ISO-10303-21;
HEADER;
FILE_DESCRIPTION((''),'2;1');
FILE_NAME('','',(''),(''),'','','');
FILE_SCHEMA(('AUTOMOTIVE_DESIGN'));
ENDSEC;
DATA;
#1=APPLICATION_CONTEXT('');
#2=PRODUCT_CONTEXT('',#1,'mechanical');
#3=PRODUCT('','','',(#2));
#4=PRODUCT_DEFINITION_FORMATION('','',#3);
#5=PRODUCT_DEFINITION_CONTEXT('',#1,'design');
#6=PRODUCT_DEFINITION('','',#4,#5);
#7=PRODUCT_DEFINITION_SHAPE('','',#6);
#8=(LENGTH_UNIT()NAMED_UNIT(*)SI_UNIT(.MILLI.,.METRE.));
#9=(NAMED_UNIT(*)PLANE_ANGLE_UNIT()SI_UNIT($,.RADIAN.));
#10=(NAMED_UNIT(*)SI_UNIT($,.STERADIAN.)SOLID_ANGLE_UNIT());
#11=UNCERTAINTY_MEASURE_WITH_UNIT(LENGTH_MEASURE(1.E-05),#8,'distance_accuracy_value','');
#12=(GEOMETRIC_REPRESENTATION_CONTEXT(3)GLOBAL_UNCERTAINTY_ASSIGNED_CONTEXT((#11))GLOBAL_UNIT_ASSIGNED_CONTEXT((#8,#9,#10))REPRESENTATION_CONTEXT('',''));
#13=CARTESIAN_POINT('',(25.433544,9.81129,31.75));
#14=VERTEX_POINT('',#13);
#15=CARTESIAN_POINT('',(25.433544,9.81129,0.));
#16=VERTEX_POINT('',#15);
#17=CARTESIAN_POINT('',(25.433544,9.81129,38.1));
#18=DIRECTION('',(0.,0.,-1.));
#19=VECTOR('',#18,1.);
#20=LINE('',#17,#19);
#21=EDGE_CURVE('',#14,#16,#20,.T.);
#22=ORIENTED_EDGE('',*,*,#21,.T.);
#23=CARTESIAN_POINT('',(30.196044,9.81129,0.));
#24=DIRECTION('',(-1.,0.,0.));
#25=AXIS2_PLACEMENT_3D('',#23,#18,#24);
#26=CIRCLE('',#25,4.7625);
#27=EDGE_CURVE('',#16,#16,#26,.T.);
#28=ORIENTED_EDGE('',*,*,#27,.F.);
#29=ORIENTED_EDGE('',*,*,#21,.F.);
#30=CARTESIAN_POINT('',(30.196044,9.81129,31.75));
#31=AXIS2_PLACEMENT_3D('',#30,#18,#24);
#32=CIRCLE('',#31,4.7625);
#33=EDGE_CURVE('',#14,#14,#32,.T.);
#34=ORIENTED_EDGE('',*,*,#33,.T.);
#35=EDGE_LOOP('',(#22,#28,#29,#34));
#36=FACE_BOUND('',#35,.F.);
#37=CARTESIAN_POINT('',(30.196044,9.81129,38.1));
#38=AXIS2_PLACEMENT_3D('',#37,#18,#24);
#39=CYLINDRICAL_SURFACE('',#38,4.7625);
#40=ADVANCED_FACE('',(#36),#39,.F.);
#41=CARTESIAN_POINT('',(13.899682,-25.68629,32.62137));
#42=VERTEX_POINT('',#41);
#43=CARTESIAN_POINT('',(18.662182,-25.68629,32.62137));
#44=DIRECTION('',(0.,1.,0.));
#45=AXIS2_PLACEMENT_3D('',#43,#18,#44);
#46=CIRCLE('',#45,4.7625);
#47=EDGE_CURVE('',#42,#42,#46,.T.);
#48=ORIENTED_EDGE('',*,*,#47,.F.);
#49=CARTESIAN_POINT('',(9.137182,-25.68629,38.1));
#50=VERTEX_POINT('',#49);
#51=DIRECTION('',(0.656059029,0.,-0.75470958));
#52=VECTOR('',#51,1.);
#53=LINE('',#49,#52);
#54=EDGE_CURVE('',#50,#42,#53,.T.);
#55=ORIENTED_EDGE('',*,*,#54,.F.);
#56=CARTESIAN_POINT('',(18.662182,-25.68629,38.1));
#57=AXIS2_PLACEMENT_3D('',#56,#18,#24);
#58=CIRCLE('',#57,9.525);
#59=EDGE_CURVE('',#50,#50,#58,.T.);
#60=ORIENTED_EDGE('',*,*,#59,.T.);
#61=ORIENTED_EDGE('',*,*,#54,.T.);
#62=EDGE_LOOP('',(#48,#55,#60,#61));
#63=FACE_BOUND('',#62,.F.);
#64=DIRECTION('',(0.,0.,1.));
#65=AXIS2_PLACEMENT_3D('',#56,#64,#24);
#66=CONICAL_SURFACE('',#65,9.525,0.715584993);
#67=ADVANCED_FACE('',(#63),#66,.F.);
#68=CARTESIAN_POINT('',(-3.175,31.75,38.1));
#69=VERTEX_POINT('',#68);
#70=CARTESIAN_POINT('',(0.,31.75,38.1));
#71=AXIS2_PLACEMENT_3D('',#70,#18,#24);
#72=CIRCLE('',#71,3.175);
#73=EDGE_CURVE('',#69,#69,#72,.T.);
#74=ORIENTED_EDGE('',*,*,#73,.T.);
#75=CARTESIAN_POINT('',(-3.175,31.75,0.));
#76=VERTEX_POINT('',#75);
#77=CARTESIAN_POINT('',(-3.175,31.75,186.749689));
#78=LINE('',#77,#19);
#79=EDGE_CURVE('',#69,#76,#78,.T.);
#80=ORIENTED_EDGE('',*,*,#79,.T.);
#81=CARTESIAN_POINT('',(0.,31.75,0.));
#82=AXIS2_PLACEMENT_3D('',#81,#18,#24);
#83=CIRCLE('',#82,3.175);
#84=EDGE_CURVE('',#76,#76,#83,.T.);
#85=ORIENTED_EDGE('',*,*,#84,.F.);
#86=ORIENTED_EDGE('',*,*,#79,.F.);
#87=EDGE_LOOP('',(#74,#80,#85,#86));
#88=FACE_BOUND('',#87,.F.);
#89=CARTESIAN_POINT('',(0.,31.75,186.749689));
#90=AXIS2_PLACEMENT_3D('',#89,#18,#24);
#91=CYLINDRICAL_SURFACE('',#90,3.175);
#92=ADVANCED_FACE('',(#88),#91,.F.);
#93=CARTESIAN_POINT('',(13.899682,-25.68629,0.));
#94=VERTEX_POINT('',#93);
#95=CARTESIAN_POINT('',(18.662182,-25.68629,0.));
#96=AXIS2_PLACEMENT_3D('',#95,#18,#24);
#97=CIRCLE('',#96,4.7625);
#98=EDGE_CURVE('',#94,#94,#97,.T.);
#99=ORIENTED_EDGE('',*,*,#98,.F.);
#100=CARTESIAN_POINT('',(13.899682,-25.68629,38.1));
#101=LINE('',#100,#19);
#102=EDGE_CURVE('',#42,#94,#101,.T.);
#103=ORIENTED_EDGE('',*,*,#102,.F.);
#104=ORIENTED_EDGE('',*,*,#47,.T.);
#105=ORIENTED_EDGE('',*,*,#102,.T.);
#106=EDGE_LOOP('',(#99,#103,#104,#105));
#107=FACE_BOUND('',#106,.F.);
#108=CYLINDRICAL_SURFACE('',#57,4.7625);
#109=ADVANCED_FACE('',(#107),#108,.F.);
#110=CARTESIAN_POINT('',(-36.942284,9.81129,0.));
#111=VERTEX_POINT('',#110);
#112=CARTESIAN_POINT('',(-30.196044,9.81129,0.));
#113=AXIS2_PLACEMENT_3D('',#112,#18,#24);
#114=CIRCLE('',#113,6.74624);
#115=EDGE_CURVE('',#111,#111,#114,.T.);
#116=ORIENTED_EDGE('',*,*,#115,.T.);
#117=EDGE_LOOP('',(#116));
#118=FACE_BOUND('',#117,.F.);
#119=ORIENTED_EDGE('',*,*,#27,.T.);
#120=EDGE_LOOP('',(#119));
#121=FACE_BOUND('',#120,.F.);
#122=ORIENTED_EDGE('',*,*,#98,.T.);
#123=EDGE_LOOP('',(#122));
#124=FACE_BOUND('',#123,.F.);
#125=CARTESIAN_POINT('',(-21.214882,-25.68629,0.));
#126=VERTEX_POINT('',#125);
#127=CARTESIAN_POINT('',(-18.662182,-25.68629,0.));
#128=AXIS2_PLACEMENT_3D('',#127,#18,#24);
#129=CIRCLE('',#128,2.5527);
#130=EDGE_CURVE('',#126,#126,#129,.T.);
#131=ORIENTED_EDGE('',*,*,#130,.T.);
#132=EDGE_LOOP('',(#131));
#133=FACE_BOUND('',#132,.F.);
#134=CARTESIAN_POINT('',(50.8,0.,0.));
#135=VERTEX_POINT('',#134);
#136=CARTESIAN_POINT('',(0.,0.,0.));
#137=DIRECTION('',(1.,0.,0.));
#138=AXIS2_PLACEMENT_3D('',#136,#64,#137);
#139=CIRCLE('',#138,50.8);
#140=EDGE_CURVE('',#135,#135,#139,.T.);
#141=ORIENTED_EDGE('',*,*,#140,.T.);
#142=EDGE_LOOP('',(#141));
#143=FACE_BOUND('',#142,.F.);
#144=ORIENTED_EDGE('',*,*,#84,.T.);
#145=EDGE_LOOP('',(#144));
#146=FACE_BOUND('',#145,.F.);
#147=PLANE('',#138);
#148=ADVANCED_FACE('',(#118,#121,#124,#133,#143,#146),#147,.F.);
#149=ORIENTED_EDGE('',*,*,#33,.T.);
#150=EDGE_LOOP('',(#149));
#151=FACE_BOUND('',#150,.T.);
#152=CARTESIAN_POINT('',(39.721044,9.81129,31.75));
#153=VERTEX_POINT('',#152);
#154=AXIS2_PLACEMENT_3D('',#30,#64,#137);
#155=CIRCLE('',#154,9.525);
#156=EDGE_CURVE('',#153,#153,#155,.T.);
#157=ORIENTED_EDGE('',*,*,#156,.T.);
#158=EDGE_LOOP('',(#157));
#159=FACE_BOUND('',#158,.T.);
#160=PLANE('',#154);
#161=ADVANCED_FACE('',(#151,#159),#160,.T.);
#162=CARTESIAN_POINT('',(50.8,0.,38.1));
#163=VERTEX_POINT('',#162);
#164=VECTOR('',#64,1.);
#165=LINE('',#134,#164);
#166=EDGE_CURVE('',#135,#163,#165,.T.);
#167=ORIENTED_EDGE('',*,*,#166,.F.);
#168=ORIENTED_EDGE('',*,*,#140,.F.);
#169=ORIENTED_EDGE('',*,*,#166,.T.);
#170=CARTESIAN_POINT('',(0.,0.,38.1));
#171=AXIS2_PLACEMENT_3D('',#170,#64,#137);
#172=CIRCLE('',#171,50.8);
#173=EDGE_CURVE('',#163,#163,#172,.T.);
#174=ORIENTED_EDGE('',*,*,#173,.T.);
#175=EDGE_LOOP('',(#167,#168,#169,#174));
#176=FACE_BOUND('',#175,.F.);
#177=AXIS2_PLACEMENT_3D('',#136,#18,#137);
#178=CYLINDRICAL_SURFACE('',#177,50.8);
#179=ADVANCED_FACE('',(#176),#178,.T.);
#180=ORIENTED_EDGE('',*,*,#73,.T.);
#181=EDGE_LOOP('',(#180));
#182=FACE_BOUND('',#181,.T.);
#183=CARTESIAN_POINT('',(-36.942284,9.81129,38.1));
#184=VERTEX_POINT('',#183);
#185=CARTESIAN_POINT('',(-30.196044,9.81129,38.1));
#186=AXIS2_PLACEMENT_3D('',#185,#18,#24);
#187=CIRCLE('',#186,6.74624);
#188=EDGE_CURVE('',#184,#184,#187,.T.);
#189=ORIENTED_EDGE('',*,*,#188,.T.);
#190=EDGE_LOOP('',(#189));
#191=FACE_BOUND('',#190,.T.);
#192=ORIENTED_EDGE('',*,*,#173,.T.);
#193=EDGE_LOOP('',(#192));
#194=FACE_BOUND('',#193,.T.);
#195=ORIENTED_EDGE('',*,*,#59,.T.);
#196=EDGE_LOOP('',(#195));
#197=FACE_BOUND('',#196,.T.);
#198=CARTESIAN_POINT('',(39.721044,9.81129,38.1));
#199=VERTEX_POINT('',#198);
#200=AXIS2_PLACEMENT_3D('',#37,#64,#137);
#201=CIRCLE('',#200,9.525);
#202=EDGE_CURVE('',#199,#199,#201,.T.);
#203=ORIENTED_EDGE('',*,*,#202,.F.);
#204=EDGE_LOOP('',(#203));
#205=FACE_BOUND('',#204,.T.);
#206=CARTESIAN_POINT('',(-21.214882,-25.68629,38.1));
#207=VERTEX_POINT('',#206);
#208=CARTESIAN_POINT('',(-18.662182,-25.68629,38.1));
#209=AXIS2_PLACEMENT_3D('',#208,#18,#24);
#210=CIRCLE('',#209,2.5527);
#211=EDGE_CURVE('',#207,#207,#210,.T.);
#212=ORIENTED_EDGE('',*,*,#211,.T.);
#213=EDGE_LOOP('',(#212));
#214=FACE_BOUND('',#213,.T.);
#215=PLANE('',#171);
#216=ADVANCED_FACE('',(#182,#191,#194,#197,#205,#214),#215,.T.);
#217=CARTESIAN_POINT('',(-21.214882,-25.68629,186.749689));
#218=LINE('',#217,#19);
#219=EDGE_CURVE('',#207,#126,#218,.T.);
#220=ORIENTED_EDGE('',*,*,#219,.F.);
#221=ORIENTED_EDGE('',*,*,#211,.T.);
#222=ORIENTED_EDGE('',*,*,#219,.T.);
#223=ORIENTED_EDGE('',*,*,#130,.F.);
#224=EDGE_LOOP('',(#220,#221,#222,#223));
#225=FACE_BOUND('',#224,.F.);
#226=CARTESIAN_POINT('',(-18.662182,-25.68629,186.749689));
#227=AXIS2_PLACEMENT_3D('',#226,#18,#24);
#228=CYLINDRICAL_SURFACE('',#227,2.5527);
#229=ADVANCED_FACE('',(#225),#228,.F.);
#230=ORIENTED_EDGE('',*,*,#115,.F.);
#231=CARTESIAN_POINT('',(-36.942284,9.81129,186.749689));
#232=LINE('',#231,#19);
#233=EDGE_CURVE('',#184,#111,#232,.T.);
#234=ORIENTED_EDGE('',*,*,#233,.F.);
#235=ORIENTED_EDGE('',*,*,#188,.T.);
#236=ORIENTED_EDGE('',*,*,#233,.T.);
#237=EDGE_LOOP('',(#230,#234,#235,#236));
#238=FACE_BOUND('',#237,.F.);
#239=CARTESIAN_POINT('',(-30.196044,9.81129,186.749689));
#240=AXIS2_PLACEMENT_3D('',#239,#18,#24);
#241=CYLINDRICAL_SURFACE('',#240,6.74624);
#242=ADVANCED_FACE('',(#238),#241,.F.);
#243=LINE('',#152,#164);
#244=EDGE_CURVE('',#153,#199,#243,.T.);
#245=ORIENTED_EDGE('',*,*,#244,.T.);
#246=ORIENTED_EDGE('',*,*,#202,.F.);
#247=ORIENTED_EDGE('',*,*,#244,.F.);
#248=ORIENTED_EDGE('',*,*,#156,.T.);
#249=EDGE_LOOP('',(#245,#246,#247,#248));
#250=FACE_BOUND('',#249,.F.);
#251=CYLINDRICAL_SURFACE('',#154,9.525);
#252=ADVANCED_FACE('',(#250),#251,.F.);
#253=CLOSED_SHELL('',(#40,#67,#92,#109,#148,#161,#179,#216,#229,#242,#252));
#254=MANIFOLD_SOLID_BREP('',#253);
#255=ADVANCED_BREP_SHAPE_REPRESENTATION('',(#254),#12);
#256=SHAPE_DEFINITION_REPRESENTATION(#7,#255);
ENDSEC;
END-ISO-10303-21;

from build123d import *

# Parameters (mm, degrees)
F0_R           = 50.8
F1_DEPTH       = 38.1
F3_D           = 6.35
F4_D           = 9.525
F4_CBORE_D     = 19.05
F4_CBORE_DEPTH = 6.35
F5_D           = 9.525
F5_CSINK_D     = 19.05
F5_CSINK_ANGLE = 82
F6_D           = 5.1054
F7_D           = 13.49248


with BuildPart() as f1:
    # F0 (on Top) → F1 (new body)
    with BuildSketch(Plane.XY):
        Circle(F0_R)
    extrude(amount=F1_DEPTH)

    # F3 (through all)
    with Locations(Plane.XY.offset(38.1)):
        with Locations((0, 31.75)):
            Hole(F3_D / 2)

    # F4 (through all)
    with Locations(Plane.XY.offset(38.1)):
        with Locations((30.1960443924, 9.8112895714)):
            CounterBoreHole(F4_D / 2, F4_CBORE_D / 2, F4_CBORE_DEPTH)

    # F5 (through all)
    with Locations(Plane.XY.offset(38.1)):
        with Locations((18.6621817603, -25.6862895714)):
            CounterSinkHole(F5_D / 2, F5_CSINK_D / 2, counter_sink_angle=F5_CSINK_ANGLE)

    # F6 (through all)
    with Locations(Plane.XY.offset(38.1)):
        with Locations((-18.6621817603, -25.6862895714)):
            Hole(F6_D / 2)

    # F7 (through all)
    with Locations(Plane.XY.offset(38.1)):
        with Locations((-30.1960443924, 9.8112895714)):
            Hole(F7_D / 2)


solid = f1.part
